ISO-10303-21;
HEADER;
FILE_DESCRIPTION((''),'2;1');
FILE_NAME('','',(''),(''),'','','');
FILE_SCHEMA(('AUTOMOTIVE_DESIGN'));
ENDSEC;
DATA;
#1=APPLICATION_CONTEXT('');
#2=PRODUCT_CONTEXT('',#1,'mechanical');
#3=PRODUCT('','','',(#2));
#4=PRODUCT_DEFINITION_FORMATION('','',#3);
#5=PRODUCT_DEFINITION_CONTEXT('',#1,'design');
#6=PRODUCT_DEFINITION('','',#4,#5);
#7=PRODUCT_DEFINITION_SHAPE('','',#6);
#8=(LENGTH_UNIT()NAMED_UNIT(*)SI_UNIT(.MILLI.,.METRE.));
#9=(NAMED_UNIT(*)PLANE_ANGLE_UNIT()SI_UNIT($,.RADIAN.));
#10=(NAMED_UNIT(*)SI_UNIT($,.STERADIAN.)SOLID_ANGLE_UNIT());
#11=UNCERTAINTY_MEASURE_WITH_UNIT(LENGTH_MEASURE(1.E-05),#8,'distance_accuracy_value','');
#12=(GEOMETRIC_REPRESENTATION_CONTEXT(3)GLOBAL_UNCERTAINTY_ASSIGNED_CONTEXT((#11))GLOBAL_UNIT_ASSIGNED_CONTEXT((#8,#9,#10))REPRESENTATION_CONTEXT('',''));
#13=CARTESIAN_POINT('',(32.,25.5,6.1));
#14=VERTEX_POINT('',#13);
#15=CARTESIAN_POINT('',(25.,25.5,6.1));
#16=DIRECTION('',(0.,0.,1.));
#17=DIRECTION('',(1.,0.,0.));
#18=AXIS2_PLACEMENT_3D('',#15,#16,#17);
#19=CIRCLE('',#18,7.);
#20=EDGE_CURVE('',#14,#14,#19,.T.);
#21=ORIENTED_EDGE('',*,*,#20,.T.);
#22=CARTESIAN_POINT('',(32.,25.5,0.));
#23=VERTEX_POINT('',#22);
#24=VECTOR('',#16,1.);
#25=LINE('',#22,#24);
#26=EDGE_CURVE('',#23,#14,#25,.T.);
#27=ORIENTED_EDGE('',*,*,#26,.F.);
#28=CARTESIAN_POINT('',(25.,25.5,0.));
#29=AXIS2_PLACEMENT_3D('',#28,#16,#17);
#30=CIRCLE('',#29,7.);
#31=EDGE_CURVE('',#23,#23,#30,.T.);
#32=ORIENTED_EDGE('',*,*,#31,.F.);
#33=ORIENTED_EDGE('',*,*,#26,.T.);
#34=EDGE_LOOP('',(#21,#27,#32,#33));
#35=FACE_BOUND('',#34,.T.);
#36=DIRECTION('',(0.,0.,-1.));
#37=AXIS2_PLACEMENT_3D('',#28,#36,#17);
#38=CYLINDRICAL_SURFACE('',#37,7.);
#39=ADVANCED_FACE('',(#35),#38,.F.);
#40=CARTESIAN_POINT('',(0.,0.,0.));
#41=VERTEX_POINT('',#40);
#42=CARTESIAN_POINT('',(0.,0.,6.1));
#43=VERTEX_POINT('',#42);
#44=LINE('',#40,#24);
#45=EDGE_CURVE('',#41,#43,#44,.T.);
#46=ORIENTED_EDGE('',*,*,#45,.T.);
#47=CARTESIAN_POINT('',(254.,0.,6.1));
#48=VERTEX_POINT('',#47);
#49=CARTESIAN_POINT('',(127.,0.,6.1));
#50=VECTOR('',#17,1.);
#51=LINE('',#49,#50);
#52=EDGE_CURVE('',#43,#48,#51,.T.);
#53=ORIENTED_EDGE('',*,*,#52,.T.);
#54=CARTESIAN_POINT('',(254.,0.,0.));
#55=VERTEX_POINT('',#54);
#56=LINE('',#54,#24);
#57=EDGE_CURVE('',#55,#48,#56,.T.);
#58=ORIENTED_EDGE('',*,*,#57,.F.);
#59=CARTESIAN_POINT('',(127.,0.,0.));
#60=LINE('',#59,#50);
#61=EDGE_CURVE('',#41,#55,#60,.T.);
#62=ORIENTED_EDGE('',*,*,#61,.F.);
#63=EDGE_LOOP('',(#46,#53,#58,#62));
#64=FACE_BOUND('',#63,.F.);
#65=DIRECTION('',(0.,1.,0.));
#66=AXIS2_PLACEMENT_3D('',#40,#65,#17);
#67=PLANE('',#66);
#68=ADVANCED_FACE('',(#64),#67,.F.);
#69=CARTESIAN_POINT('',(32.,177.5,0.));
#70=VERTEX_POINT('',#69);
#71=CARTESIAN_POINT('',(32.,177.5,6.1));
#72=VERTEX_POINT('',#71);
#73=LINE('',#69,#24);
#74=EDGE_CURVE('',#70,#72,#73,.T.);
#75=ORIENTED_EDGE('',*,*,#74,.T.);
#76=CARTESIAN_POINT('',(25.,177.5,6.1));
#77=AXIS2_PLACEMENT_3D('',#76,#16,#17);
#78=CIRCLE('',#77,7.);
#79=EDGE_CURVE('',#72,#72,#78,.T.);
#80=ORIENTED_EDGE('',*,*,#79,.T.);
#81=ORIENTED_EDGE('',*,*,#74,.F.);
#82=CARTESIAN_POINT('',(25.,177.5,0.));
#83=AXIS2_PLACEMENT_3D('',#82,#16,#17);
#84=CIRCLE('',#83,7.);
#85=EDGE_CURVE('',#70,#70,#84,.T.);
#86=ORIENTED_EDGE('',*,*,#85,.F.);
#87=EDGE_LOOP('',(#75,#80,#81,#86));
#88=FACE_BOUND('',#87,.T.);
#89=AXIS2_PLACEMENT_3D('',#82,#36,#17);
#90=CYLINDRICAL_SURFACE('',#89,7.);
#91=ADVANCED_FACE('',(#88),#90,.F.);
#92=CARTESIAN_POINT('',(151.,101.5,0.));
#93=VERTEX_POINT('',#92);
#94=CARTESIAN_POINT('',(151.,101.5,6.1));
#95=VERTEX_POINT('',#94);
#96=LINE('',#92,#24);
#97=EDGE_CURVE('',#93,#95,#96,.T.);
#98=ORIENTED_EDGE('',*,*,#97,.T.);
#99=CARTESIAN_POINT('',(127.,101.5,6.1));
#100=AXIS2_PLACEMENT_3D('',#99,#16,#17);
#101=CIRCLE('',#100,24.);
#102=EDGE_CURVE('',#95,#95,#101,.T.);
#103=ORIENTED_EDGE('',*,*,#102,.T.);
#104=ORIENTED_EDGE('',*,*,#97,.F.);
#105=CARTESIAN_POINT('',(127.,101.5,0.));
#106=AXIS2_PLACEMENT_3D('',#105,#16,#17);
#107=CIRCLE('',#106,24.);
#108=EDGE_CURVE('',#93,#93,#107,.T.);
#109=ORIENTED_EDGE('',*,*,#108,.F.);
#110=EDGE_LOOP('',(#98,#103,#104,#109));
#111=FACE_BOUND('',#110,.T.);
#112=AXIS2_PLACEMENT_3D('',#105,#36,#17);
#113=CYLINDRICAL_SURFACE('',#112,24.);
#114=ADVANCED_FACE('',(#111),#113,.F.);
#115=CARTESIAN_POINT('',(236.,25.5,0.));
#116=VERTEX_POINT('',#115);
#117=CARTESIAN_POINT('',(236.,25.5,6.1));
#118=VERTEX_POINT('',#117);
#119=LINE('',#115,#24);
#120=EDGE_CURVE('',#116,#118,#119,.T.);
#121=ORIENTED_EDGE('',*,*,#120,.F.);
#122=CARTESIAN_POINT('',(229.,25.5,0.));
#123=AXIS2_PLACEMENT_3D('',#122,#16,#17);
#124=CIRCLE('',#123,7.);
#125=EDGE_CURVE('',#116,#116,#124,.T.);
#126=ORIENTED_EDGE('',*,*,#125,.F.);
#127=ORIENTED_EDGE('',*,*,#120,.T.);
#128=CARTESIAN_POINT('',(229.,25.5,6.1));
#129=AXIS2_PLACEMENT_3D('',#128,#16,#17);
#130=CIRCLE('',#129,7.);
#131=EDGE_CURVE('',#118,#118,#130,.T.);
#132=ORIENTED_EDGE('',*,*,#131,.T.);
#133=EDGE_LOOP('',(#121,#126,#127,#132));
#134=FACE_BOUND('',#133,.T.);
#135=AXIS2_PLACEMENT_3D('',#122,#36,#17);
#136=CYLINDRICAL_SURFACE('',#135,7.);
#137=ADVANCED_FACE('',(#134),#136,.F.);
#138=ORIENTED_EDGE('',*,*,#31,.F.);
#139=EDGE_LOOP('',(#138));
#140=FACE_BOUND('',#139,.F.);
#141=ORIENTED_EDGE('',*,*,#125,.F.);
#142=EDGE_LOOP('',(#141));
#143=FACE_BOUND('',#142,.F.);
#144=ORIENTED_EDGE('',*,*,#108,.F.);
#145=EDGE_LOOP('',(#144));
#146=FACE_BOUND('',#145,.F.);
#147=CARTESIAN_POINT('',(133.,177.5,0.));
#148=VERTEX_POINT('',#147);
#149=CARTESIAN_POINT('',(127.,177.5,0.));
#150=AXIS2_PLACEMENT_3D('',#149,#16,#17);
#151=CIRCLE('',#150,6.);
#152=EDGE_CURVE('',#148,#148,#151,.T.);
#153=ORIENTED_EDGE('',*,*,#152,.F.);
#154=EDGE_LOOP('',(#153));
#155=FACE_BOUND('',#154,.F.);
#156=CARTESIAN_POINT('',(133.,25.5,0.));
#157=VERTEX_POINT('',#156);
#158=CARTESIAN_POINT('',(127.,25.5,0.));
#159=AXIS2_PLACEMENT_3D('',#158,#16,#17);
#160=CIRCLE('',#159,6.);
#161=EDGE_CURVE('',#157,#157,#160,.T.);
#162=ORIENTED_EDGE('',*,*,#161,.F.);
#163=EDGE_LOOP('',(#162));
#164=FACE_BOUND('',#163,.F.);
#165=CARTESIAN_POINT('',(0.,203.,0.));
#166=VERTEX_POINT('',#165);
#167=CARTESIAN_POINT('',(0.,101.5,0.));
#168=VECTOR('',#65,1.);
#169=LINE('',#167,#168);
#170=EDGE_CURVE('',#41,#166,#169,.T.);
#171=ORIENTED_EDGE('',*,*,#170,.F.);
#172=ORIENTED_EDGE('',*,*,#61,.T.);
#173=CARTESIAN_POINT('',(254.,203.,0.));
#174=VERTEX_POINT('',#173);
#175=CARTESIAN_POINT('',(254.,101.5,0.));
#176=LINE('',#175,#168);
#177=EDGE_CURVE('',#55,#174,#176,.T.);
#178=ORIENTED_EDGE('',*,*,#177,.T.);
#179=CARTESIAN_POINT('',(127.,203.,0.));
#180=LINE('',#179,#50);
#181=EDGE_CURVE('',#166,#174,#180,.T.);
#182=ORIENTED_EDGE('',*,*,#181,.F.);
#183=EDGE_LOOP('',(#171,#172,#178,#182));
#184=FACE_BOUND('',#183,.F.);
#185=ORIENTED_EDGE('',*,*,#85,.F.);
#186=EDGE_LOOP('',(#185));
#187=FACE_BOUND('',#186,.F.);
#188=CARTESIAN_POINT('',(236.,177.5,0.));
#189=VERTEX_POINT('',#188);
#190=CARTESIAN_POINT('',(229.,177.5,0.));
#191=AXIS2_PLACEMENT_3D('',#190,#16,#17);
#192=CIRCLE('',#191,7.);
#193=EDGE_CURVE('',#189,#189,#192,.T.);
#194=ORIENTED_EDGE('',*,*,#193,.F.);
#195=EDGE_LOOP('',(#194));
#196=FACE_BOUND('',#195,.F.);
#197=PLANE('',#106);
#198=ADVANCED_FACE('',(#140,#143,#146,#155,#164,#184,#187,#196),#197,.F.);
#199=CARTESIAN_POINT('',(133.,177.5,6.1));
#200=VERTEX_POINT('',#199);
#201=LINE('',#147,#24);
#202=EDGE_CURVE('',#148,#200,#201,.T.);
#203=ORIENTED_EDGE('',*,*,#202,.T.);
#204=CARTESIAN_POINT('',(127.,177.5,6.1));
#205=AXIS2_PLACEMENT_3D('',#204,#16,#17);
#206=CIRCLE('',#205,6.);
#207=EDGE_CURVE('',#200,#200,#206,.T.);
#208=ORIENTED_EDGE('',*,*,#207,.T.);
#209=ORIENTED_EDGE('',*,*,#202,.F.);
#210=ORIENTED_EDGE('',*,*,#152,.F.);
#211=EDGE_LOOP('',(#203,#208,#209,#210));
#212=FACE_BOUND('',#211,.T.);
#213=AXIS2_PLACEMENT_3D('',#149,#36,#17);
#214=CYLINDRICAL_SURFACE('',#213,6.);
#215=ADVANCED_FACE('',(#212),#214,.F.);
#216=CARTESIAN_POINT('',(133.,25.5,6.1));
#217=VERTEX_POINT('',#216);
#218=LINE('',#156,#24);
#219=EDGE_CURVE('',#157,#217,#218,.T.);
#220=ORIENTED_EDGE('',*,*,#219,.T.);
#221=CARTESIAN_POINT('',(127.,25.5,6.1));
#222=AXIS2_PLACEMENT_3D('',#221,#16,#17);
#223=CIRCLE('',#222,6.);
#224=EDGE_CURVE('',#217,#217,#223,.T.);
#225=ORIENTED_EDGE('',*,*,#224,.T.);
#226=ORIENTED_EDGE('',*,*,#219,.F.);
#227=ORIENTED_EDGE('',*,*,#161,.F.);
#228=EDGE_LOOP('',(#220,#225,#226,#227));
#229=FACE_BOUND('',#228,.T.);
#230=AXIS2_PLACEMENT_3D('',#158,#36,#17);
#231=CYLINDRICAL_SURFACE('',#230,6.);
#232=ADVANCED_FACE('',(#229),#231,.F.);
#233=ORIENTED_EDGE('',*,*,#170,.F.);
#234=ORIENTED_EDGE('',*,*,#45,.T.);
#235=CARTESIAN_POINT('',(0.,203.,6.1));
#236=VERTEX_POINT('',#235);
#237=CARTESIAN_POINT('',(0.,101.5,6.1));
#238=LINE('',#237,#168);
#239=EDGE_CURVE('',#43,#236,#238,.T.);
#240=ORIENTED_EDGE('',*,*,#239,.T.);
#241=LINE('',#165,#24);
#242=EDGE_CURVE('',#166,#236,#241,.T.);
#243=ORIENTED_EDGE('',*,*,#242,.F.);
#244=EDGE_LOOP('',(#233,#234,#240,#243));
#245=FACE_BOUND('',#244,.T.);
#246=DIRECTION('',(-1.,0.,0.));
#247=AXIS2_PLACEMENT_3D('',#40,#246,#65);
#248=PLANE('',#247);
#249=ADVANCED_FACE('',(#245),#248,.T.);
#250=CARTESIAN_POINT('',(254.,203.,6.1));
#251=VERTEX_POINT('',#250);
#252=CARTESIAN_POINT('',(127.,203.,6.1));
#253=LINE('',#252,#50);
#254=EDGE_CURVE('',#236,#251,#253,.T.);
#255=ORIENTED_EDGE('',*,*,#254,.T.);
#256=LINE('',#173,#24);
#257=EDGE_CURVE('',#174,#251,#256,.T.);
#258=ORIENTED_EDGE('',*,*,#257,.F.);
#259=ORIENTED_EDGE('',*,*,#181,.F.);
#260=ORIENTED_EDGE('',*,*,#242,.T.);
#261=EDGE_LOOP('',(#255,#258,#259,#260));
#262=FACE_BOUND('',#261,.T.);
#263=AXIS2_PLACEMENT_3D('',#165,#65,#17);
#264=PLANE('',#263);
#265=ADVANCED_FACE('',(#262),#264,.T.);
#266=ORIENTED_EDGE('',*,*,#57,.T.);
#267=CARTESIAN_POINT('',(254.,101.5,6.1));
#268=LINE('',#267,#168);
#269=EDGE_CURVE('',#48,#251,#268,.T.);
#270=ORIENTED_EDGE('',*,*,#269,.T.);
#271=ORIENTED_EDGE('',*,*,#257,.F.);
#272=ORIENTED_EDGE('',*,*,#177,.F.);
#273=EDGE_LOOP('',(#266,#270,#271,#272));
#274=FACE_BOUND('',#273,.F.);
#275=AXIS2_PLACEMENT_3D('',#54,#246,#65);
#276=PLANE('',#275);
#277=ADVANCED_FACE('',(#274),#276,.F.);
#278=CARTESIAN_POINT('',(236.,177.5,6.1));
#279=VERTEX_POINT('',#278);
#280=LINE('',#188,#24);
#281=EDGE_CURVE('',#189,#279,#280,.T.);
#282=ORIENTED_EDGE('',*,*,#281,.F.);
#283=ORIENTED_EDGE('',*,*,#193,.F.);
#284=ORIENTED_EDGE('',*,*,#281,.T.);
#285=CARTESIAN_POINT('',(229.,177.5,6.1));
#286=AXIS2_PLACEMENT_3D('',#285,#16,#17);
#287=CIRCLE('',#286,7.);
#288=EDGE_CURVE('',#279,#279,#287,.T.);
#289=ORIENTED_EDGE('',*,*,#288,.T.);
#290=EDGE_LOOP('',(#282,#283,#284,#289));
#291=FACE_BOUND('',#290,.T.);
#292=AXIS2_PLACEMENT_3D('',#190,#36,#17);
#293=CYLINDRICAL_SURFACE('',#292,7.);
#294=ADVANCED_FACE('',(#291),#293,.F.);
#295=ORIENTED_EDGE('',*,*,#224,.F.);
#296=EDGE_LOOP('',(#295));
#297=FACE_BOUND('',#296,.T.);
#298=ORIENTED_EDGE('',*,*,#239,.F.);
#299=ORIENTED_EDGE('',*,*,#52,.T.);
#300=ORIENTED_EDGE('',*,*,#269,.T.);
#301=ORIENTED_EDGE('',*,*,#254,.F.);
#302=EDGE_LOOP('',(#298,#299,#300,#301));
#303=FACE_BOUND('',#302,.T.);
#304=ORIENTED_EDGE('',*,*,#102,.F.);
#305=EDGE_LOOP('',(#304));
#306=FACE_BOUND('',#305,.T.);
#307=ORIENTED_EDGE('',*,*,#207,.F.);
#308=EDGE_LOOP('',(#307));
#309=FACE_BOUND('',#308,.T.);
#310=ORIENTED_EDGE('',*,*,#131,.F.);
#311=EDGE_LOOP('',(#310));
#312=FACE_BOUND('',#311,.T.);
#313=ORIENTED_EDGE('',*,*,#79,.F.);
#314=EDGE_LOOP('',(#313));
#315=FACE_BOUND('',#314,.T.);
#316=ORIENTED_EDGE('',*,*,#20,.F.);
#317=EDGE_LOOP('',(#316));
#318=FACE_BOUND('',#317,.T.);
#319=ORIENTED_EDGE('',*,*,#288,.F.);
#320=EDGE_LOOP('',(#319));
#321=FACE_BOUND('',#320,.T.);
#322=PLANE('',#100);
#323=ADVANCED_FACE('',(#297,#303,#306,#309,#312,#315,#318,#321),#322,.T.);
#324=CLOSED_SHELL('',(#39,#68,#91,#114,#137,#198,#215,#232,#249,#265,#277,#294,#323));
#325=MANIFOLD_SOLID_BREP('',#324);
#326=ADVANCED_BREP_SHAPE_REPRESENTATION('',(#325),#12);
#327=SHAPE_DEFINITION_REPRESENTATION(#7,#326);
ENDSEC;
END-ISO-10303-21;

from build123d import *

# Parameters (mm, degrees)
F0_W     = 254
F0_H     = 203
F0_R     = 7
F0_R_2   = 6
F0_R_3   = 24
F1_DEPTH = 6.1


with BuildPart() as f1:
    # F0 (on Top) → F1 (new body)
    with BuildSketch(Plane.XY):
        with Locations((127, 101.5)):
            Rectangle(F0_W, F0_H)
        with Locations((25, 25.5)):
            Circle(F0_R, mode=Mode.SUBTRACT)
        with Locations((127, 25.5)):
            Circle(F0_R_2, mode=Mode.SUBTRACT)
        with Locations((229, 25.5)):
            Circle(F0_R, mode=Mode.SUBTRACT)
        with Locations((25, 177.5)):
            Circle(F0_R, mode=Mode.SUBTRACT)
        with Locations((127, 101.5)):
            Circle(F0_R_3, mode=Mode.SUBTRACT)
        with Locations((127, 177.5)):
            Circle(F0_R_2, mode=Mode.SUBTRACT)
        with Locations((229, 177.5)):
            Circle(F0_R, mode=Mode.SUBTRACT)
    extrude(amount=F1_DEPTH)


solid = f1.part
